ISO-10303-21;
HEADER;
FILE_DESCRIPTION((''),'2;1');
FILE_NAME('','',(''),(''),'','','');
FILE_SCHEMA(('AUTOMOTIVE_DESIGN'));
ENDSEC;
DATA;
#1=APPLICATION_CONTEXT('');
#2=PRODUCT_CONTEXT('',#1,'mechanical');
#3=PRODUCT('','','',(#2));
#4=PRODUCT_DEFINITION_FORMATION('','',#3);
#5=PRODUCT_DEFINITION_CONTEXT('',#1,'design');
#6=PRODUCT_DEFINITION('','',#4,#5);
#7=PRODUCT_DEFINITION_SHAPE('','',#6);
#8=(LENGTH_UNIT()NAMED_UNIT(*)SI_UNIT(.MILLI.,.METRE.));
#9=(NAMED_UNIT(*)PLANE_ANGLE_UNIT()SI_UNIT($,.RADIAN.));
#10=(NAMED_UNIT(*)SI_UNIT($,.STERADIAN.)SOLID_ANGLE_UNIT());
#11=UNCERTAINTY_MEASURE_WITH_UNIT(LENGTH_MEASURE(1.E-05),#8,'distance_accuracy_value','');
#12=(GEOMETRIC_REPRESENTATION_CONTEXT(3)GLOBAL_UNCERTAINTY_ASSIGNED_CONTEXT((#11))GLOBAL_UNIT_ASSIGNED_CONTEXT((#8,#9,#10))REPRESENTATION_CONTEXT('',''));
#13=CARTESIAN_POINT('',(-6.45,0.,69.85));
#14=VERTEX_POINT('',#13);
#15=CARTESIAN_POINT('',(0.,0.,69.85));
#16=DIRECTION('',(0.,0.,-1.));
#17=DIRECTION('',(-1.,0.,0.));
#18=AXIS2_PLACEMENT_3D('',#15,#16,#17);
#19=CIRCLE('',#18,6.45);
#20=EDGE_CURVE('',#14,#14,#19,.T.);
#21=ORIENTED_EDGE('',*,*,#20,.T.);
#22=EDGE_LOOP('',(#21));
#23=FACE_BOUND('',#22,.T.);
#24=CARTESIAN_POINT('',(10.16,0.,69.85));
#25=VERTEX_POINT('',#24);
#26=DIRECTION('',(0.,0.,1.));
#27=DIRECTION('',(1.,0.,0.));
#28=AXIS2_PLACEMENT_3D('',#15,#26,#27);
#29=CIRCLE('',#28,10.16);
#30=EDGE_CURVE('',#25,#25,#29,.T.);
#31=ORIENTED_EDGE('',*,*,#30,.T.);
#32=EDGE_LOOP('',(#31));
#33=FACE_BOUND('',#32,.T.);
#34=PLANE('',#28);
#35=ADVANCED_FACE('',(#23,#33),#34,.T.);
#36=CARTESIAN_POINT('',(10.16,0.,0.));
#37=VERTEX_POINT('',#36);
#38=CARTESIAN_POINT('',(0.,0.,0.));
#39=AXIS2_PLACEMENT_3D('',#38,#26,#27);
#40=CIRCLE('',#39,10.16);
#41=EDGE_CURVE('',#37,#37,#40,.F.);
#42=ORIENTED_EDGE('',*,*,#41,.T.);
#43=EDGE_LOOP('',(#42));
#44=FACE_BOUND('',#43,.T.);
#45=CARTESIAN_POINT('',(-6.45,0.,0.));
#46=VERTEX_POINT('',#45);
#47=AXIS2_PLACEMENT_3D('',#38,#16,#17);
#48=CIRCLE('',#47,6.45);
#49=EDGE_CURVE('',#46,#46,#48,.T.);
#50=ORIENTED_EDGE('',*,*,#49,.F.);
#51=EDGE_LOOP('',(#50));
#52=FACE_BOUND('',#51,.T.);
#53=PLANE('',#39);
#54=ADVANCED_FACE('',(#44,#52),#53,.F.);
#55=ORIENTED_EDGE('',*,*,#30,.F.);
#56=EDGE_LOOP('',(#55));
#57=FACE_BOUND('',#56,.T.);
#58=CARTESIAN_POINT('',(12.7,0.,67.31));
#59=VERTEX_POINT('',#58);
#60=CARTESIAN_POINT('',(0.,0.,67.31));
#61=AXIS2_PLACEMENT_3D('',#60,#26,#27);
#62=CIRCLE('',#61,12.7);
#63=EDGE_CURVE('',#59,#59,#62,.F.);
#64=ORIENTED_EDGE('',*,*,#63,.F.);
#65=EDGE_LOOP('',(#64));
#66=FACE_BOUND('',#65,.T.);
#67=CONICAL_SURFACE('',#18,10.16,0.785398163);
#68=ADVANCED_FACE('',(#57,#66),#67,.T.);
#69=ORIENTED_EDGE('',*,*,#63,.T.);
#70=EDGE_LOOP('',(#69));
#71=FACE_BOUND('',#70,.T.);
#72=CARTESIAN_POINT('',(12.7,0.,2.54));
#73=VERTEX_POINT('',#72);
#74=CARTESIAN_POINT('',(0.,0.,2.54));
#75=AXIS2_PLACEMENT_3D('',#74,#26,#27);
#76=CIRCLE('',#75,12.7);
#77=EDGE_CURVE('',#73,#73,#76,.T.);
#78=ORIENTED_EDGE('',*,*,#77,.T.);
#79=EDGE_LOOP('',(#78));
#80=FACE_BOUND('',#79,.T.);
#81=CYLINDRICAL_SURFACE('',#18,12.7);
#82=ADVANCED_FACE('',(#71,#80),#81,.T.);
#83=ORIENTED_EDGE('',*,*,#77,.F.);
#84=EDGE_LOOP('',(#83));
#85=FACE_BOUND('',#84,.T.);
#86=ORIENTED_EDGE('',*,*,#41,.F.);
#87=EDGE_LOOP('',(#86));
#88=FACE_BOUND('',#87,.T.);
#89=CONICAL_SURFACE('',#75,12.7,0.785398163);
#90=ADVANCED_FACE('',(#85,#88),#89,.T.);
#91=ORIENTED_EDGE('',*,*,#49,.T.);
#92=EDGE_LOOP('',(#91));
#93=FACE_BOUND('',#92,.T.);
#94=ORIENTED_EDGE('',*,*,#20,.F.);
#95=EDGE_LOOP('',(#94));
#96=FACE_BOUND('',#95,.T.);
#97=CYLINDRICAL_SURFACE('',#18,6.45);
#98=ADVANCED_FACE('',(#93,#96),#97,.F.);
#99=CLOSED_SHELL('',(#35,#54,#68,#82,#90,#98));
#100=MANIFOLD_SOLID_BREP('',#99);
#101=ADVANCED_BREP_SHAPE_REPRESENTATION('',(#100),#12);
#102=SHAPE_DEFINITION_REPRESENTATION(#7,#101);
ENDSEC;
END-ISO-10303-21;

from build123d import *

# Parameters (mm, degrees)
SKETCH1_R           = 12.7
BOSS_EXTRUDE1_DEPTH = 69.85
SKETCH2_R           = 6.45
CUT_EXTRUDE1_DEPTH  = 73.122135992
CHAMFER1_SIZE       = 2.54


with BuildPart() as part:
    # Sketch1 → Boss-Extrude1 (new body)
    with BuildSketch(Plane.XY):
        Circle(SKETCH1_R)
    extrude(amount=BOSS_EXTRUDE1_DEPTH)

    # Sketch2 → Cut-Extrude1 (cut, through all)
    with BuildSketch(Plane(origin=(0, 0, 0), x_dir=(-1, 0, 0), z_dir=(0, 0, -1))):
        Circle(SKETCH2_R)
    extrude(amount=-CUT_EXTRUDE1_DEPTH, mode=Mode.SUBTRACT)

    # Chamfer1
    chamfer1_edges = [part.edges().sort_by_distance(p)[0] for p in [
        (-12.7, 0, 0),
        (-12.7, 0, 69.85),
    ]]
    chamfer(chamfer1_edges, length=CHAMFER1_SIZE)


solid = part.part
